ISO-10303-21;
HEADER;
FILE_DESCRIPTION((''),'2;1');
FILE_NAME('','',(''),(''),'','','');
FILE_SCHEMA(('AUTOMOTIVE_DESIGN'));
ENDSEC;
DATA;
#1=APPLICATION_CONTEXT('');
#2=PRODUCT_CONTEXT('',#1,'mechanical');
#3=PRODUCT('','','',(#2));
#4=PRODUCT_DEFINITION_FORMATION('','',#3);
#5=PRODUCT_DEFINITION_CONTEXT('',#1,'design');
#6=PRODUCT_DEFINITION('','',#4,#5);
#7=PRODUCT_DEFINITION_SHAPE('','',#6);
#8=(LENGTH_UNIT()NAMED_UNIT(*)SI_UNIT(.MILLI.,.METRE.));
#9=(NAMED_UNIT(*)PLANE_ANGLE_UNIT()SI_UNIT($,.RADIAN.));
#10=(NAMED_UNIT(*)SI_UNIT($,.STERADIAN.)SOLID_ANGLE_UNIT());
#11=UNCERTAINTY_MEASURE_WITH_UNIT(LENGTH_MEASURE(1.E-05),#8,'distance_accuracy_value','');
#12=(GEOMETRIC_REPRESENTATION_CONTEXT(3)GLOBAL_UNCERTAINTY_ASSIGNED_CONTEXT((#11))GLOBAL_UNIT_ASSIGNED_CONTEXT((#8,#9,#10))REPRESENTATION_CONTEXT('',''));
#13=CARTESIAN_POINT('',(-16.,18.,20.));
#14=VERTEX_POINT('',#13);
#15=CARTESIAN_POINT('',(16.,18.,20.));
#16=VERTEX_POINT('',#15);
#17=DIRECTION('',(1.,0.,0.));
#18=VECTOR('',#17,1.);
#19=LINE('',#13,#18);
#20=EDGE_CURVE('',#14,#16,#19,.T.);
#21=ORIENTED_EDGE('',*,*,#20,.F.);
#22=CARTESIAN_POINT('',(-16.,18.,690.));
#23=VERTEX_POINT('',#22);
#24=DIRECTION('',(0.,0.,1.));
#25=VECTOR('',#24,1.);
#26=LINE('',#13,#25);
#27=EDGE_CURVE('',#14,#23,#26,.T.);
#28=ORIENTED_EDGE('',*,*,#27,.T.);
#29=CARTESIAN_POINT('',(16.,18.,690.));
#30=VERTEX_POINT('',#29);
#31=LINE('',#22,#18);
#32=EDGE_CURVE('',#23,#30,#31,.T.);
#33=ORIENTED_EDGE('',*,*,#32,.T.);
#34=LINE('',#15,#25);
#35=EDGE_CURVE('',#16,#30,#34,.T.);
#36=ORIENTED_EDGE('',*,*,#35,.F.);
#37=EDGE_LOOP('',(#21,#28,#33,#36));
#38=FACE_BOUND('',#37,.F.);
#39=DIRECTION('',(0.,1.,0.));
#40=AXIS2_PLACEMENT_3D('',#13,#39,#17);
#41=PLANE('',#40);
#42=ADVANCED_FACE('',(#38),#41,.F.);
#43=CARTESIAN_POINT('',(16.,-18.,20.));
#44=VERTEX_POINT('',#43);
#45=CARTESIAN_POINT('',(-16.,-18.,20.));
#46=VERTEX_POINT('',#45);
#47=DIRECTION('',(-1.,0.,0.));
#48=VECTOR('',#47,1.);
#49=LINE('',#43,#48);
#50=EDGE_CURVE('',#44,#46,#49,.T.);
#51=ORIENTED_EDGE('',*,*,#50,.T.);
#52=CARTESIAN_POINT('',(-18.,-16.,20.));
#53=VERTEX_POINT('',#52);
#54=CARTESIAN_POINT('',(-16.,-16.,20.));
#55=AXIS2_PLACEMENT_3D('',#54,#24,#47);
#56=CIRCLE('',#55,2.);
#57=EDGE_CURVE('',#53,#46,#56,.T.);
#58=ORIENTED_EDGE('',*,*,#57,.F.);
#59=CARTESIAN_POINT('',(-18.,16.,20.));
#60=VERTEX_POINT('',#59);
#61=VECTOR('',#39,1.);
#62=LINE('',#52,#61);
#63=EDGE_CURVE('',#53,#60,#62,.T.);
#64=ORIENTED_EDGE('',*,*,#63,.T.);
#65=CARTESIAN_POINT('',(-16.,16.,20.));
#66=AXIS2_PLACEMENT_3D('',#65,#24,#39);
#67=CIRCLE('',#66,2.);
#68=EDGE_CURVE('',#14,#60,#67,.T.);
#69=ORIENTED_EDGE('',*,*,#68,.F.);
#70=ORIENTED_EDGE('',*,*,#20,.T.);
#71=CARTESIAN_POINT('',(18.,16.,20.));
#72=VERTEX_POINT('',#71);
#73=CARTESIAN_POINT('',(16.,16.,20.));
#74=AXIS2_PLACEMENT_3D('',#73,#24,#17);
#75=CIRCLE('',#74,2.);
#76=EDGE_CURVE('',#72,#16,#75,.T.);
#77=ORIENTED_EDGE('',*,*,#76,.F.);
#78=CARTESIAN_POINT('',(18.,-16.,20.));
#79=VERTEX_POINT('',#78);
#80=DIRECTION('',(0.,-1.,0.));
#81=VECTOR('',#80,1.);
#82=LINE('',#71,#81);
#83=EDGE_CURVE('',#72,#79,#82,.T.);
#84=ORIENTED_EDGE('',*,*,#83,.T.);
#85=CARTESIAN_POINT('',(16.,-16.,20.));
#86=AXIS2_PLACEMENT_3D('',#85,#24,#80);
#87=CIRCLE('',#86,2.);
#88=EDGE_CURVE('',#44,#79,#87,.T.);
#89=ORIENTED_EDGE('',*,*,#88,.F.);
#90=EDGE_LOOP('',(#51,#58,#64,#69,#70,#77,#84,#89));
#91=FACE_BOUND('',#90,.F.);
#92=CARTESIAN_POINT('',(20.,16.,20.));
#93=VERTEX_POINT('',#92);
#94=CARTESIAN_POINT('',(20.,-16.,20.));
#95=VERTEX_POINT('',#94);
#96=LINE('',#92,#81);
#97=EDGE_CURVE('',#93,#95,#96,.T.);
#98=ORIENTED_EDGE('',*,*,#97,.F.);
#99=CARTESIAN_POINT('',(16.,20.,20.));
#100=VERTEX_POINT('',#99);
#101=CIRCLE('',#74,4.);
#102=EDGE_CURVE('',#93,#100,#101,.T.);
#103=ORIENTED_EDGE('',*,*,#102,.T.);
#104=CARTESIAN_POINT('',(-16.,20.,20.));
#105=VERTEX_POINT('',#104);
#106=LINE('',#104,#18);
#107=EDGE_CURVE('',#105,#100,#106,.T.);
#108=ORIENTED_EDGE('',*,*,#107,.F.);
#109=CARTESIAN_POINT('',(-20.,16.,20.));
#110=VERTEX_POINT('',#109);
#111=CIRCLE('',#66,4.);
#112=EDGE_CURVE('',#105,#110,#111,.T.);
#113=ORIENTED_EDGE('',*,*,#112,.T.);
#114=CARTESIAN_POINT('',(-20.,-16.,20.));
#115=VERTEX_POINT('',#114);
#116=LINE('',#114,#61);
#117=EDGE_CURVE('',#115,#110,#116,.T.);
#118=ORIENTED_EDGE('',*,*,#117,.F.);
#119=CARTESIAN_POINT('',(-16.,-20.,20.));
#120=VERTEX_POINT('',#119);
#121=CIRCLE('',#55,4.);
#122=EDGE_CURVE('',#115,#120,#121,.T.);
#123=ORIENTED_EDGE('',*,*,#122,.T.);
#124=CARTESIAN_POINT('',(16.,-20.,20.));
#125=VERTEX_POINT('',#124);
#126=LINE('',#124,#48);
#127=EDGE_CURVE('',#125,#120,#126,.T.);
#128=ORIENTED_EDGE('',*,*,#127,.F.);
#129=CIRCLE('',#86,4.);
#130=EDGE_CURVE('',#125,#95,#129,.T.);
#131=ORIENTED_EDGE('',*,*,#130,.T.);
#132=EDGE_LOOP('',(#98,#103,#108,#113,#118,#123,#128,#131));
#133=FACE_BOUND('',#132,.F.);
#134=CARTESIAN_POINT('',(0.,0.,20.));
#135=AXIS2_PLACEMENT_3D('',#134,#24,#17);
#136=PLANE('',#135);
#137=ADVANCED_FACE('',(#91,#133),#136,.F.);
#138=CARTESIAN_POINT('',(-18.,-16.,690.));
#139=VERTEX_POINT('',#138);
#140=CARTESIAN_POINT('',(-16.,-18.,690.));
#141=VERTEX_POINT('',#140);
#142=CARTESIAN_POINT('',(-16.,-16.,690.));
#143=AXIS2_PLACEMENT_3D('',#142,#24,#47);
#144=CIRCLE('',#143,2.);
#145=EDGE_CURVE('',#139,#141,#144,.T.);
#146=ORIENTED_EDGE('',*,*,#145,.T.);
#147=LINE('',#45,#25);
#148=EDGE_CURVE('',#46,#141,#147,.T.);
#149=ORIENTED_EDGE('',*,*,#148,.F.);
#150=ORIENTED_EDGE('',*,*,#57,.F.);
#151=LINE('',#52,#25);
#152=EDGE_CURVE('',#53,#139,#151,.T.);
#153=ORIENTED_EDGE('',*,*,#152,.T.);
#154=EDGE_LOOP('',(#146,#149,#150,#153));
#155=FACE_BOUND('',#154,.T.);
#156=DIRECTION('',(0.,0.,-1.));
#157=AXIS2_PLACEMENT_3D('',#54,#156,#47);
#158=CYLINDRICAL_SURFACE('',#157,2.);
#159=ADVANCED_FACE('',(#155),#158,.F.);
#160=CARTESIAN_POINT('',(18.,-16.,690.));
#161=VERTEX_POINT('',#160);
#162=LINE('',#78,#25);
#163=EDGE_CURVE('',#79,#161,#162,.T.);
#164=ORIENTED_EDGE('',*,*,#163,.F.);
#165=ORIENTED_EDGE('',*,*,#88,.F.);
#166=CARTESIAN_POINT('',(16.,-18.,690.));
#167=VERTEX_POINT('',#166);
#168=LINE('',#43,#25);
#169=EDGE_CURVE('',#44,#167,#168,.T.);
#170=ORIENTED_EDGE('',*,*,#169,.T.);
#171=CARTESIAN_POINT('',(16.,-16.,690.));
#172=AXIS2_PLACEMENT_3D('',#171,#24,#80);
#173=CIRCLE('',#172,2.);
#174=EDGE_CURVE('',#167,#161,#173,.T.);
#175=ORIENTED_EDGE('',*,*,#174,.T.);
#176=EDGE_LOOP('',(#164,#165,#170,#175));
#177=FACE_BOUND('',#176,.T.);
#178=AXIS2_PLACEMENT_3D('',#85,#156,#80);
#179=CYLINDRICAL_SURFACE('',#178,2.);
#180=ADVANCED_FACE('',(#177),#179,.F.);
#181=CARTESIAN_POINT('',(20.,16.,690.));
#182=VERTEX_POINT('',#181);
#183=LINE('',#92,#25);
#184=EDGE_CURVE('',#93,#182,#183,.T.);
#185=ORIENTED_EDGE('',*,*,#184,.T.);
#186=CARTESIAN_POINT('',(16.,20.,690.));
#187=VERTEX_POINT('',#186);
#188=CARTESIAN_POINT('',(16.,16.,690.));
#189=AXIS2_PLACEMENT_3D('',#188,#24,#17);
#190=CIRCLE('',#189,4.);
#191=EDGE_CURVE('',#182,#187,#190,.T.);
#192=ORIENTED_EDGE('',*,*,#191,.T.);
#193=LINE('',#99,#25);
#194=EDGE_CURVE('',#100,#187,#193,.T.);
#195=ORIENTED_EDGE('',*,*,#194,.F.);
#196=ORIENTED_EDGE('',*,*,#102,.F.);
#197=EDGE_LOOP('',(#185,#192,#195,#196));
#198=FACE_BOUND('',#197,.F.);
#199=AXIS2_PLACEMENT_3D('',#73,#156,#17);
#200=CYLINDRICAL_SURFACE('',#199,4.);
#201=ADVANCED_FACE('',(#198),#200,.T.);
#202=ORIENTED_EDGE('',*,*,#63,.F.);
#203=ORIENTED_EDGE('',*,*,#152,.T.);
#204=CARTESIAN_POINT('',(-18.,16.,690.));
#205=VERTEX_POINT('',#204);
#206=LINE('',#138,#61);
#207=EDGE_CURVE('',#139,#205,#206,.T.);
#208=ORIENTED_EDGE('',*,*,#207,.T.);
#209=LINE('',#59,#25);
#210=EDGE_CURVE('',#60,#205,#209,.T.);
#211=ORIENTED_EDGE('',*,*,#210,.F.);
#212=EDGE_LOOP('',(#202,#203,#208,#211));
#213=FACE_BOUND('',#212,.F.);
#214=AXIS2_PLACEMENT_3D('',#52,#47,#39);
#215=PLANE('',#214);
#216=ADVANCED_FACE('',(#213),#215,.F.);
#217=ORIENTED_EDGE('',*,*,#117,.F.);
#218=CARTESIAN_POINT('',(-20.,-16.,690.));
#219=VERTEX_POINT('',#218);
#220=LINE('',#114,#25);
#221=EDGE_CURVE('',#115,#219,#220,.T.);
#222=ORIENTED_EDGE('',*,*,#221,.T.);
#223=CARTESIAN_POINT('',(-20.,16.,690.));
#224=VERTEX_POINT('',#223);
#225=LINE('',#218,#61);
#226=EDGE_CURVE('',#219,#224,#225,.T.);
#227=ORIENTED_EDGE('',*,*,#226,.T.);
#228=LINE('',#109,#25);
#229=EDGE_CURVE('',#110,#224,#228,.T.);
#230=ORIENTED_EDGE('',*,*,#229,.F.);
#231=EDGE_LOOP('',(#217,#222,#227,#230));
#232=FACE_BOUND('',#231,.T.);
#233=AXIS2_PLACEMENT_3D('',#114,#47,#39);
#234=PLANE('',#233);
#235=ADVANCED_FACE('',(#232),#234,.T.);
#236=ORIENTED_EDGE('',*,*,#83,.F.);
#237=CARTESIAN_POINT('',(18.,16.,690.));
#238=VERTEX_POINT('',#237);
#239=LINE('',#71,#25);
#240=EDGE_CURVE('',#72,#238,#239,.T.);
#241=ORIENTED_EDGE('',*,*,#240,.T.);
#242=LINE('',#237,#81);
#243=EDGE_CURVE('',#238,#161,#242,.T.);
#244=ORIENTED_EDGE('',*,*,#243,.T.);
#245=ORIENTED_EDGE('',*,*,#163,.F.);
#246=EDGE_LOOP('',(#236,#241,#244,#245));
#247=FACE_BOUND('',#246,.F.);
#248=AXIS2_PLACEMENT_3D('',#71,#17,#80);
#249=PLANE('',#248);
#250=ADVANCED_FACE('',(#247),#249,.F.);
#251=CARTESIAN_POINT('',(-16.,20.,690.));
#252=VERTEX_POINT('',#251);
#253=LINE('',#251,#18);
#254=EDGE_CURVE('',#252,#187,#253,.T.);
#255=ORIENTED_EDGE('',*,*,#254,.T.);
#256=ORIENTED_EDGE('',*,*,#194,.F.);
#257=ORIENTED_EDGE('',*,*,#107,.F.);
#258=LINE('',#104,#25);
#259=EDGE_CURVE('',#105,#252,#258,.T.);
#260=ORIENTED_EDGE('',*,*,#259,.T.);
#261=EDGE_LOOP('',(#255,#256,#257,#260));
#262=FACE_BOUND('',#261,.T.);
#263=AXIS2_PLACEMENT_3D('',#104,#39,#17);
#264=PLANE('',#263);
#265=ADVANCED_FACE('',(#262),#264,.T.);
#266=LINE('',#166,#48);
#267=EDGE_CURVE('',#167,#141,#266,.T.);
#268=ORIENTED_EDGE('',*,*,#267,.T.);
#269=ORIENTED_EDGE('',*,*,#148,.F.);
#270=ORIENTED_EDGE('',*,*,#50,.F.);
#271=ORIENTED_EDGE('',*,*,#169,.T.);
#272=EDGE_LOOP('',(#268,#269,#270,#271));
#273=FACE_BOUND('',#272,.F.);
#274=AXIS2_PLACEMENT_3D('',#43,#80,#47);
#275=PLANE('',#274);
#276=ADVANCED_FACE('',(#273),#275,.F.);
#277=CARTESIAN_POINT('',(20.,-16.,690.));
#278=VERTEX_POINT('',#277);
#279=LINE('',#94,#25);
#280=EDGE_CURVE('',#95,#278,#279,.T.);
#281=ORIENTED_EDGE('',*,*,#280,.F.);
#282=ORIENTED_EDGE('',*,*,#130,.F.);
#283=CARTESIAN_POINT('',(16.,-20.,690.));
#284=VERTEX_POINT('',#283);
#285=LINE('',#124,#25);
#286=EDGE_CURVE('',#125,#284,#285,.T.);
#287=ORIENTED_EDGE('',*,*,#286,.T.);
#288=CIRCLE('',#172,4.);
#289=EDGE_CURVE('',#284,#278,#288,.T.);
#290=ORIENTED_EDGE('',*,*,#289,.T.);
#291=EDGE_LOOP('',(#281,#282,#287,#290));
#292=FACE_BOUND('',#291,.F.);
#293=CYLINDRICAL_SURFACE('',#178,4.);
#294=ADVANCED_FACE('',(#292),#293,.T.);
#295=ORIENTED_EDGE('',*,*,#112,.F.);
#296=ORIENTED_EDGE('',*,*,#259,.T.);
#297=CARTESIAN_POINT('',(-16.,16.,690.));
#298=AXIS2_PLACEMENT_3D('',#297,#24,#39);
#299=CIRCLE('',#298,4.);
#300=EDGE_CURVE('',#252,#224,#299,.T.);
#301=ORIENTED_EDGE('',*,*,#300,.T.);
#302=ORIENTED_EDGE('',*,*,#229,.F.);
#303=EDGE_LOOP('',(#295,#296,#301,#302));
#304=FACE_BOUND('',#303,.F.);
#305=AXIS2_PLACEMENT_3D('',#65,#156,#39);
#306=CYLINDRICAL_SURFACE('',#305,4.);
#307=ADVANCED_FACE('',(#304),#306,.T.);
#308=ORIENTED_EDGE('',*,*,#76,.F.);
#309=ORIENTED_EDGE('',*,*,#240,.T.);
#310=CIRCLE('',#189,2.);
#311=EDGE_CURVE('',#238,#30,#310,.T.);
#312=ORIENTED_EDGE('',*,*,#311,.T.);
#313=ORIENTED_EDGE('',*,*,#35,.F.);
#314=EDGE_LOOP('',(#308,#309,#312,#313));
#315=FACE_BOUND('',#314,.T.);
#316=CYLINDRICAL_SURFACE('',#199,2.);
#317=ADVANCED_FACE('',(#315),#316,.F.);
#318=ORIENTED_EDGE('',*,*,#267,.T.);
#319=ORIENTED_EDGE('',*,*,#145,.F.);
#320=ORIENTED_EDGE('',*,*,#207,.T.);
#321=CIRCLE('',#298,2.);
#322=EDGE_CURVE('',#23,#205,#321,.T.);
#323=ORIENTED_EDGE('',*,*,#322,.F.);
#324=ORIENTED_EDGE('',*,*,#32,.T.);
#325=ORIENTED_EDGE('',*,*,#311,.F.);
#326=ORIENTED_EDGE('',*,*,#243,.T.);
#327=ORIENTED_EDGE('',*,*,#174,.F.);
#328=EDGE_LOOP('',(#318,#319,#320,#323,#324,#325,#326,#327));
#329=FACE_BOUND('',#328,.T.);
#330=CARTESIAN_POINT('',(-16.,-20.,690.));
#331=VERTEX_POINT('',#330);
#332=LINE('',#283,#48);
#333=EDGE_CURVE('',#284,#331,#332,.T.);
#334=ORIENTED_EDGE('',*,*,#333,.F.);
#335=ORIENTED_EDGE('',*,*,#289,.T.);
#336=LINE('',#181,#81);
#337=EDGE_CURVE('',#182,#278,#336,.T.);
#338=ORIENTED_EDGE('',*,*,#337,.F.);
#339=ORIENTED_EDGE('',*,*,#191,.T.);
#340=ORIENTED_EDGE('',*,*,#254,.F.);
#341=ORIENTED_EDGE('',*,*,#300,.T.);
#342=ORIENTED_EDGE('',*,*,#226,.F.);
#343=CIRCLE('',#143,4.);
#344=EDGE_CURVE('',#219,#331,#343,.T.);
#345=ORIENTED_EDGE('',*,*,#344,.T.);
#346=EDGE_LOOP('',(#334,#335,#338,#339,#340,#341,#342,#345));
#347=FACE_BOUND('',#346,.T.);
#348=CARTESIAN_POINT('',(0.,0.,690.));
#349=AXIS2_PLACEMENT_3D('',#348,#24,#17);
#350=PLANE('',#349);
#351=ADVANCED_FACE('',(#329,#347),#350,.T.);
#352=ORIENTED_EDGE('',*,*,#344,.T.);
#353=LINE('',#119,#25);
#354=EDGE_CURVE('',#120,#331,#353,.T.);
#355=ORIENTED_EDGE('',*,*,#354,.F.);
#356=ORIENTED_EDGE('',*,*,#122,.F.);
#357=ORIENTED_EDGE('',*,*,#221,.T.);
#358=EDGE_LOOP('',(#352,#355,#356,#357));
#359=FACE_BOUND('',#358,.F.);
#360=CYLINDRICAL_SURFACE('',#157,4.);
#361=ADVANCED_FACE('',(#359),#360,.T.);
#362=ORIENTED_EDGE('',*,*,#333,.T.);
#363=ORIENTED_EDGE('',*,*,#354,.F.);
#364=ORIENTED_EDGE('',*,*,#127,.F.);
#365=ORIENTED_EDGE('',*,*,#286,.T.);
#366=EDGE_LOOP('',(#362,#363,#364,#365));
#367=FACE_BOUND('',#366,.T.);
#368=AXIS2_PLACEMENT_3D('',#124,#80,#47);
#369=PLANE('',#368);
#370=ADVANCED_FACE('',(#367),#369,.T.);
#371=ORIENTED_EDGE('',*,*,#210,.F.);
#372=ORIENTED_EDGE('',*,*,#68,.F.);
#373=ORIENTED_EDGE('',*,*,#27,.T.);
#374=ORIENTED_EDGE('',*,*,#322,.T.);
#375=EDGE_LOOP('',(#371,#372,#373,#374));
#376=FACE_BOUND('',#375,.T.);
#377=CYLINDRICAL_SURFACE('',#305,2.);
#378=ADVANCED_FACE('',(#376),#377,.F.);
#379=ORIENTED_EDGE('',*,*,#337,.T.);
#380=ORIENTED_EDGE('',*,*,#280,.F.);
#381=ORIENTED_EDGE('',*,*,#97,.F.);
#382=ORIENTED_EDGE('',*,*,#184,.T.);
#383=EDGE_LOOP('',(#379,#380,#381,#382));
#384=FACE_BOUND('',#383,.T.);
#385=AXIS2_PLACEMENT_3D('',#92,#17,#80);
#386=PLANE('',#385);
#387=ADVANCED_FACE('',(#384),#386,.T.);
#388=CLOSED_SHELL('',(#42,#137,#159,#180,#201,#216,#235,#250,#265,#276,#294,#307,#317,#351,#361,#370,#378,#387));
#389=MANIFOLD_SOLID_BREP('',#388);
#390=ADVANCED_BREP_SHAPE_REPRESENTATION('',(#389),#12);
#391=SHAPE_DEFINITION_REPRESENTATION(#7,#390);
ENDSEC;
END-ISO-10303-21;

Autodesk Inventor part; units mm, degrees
ref_plane "YZ Plane" through (0, 0, 0) normal (1, 0, 0) x (0, 1, 0)
ref_plane "Start Plane" through (0, 0, 20) normal (0, 0, 1) x (1, 0, 0)
ref_plane "End Plane" through (0, 0, 690) normal (0, 0, 1) x (1, 0, 0)
sketch "Sketch" plane through (0, 0, 0) normal (0, 0, 1) x (1, 0, 0)
  line L0 (-20, -16) -> (-20, 16)
  line L1 (-16, 20) -> (16, 20)
  line L2 (20, 16) -> (20, -16)
  line L3 (16, -20) -> (-16, -20)
  arc A0 (-20, -16) -> (-16, -20) centre (-16, -16) ccw
  arc A1 (20, 16) -> (16, 20) centre (16, 16) ccw
  arc A2 (-16, 20) -> (-20, 16) centre (-16, 16) ccw
  arc A3 (16, -20) -> (20, -16) centre (16, -16) ccw
  arc A4 (-16, 18) -> (-18, 16) centre (-16, 16) ccw
  line L4 (-16, 18) -> (16, 18)
  arc A5 (18, 16) -> (16, 18) centre (16, 16) ccw
  line L5 (18, 16) -> (18, -16)
  arc A6 (16, -18) -> (18, -16) centre (16, -16) ccw
  line L6 (16, -18) -> (-16, -18)
  arc A7 (-18, -16) -> (-16, -18) centre (-16, -16) ccw
  line L7 (-18, -16) -> (-18, 16)
  line L8 (0, 29.1598) -> (0, -29.1598) construction
  line L9 (-29.1598, 0) -> (29.1598, 0) construction
  dimension "d7" = 4
  dimension "d9" = 40
  dimension "d11" = 40
  dimension "d12" = 2
  dimension "d15" = 20
  dimension "d16" = 20
extrude "Body" add sketch "Sketch" along normal up to surface (670 mm away) from surface at 20
sketch "Sketch3" plane through (0, 0, 0) normal (0, 0, 1) x (1, 0, 0)
  line L0 (0, 0) -> (10, 0)
ref_plane "Work Plane3" through (0, 0, 0) normal (0, -1, 0) x (1, 0, 0)
sketch "Sketch4" plane through (0, 0, 0) normal (0, -1, 0) x (1, 0, 0)
  line L0 (-2, 20) -> (12, 20) projected
  line L1 (-2, 690) -> (12, 690) projected
  dimension "d18" = 670
equation "\"d7\" = G_IR"
equation "\"d9\" = G_W"
equation "\"d11\" = G_H"
equation "\"d12\" = G_T"
equation "\"d15\" = 0.5 * d9"
equation "\"d16\" = 0.5 * d11"
equation "\"d3\" = G_L"
equation "\"G_W\" = 40"
equation "\"G_H\" = 40"
equation "\"G_T\" = 2"
equation "\"G_IR\" = 4"
equation "\"G_L\" = d18"
properties part number "ISO 10799-2 - 40x40x2 - 670" material "Steel, Mild"
